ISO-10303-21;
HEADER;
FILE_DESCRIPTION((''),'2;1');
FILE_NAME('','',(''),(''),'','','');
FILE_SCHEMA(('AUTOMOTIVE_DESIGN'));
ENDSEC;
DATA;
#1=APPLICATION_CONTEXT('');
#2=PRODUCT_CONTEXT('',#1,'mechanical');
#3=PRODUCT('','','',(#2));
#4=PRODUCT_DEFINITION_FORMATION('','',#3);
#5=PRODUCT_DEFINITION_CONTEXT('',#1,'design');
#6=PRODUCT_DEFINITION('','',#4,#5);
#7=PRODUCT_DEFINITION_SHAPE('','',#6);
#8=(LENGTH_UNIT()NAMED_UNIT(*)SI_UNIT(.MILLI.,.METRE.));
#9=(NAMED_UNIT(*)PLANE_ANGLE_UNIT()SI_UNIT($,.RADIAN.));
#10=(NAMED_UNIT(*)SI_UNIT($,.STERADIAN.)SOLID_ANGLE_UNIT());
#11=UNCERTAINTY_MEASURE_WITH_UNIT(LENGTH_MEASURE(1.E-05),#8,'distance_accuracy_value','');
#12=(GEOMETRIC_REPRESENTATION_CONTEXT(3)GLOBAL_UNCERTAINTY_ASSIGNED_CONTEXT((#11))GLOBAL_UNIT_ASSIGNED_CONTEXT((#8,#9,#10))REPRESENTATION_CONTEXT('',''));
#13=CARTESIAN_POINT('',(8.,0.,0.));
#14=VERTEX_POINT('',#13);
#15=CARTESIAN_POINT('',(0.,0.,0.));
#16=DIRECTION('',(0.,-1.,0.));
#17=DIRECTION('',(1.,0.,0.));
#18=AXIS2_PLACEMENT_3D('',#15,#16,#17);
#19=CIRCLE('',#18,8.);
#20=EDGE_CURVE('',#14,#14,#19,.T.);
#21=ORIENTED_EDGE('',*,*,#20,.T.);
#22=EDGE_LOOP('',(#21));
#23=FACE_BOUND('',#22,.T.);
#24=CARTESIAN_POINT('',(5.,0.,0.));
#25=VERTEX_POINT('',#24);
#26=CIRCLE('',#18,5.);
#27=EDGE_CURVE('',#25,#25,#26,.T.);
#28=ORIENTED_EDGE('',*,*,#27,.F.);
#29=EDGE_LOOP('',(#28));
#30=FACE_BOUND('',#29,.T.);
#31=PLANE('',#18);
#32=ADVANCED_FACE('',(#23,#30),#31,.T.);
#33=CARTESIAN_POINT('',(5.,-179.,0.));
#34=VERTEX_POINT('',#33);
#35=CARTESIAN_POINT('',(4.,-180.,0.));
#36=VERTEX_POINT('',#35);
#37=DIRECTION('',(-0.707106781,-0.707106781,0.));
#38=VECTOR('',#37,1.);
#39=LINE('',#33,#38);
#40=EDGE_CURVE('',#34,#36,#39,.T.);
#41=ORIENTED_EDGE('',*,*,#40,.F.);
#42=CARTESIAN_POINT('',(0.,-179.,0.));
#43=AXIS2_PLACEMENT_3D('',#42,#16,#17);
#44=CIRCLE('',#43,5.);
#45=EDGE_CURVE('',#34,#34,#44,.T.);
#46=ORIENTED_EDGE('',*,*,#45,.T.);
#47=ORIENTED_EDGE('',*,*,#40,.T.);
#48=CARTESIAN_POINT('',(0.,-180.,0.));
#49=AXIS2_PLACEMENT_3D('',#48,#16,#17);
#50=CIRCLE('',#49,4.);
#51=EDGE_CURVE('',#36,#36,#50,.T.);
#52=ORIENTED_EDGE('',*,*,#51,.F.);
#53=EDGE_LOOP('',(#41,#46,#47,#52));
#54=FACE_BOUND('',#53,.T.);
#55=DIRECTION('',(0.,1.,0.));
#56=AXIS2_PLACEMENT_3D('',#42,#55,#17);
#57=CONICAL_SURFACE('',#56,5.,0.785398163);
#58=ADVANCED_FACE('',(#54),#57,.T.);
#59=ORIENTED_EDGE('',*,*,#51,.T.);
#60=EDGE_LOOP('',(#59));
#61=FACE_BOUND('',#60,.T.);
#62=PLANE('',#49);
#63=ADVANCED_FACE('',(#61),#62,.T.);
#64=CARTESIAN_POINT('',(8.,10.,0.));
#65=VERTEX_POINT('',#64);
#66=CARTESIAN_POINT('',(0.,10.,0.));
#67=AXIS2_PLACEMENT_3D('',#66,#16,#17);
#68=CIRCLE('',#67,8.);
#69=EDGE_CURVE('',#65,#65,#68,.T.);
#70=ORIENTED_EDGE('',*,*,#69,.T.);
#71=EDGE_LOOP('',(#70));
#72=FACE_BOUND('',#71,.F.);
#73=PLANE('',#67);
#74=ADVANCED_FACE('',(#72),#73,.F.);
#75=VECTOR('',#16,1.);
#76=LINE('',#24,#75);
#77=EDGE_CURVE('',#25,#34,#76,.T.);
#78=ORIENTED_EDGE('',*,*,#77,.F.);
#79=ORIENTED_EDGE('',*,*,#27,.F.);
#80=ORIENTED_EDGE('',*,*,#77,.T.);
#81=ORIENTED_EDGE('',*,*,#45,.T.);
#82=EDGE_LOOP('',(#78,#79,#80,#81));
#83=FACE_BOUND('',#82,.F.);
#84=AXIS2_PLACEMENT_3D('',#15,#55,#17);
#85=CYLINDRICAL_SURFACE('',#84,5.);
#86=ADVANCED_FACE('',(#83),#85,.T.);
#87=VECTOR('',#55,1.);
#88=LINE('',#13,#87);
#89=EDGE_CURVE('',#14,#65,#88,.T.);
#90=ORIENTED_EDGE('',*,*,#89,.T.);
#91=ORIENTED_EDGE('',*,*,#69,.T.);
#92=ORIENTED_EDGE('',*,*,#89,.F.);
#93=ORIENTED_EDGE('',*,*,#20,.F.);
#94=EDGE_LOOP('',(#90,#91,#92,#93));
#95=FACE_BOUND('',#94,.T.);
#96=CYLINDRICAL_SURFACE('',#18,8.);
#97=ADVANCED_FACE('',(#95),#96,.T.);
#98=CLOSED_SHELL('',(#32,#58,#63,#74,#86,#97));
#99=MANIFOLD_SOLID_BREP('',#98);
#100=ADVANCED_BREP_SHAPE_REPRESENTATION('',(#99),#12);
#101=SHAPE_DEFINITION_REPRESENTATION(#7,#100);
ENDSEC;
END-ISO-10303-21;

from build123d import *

# Parameters (mm, degrees)
F0_R     = 8
F0_R_2   = 5
F1_DEPTH = 10
F2_DEPTH = 180
F3_SIZE  = 1


with BuildPart() as f1:
    # F0 (on Front) → F1 (new body)
    with BuildSketch(Plane.XZ):
        Circle(F0_R)
        Circle(F0_R_2, mode=Mode.SUBTRACT)
        Circle(F0_R_2)
    extrude(amount=-F1_DEPTH)

    # F0 (on Front) → F2 (join)
    with BuildSketch(Plane.XZ):
        Circle(F0_R_2)
    extrude(amount=F2_DEPTH)

    # F3
    f3_edges = [f1.edges().sort_by_distance(p)[0] for p in [
        (-5, -180, 0),
    ]]
    chamfer(f3_edges, length=F3_SIZE)


solid = f1.part
